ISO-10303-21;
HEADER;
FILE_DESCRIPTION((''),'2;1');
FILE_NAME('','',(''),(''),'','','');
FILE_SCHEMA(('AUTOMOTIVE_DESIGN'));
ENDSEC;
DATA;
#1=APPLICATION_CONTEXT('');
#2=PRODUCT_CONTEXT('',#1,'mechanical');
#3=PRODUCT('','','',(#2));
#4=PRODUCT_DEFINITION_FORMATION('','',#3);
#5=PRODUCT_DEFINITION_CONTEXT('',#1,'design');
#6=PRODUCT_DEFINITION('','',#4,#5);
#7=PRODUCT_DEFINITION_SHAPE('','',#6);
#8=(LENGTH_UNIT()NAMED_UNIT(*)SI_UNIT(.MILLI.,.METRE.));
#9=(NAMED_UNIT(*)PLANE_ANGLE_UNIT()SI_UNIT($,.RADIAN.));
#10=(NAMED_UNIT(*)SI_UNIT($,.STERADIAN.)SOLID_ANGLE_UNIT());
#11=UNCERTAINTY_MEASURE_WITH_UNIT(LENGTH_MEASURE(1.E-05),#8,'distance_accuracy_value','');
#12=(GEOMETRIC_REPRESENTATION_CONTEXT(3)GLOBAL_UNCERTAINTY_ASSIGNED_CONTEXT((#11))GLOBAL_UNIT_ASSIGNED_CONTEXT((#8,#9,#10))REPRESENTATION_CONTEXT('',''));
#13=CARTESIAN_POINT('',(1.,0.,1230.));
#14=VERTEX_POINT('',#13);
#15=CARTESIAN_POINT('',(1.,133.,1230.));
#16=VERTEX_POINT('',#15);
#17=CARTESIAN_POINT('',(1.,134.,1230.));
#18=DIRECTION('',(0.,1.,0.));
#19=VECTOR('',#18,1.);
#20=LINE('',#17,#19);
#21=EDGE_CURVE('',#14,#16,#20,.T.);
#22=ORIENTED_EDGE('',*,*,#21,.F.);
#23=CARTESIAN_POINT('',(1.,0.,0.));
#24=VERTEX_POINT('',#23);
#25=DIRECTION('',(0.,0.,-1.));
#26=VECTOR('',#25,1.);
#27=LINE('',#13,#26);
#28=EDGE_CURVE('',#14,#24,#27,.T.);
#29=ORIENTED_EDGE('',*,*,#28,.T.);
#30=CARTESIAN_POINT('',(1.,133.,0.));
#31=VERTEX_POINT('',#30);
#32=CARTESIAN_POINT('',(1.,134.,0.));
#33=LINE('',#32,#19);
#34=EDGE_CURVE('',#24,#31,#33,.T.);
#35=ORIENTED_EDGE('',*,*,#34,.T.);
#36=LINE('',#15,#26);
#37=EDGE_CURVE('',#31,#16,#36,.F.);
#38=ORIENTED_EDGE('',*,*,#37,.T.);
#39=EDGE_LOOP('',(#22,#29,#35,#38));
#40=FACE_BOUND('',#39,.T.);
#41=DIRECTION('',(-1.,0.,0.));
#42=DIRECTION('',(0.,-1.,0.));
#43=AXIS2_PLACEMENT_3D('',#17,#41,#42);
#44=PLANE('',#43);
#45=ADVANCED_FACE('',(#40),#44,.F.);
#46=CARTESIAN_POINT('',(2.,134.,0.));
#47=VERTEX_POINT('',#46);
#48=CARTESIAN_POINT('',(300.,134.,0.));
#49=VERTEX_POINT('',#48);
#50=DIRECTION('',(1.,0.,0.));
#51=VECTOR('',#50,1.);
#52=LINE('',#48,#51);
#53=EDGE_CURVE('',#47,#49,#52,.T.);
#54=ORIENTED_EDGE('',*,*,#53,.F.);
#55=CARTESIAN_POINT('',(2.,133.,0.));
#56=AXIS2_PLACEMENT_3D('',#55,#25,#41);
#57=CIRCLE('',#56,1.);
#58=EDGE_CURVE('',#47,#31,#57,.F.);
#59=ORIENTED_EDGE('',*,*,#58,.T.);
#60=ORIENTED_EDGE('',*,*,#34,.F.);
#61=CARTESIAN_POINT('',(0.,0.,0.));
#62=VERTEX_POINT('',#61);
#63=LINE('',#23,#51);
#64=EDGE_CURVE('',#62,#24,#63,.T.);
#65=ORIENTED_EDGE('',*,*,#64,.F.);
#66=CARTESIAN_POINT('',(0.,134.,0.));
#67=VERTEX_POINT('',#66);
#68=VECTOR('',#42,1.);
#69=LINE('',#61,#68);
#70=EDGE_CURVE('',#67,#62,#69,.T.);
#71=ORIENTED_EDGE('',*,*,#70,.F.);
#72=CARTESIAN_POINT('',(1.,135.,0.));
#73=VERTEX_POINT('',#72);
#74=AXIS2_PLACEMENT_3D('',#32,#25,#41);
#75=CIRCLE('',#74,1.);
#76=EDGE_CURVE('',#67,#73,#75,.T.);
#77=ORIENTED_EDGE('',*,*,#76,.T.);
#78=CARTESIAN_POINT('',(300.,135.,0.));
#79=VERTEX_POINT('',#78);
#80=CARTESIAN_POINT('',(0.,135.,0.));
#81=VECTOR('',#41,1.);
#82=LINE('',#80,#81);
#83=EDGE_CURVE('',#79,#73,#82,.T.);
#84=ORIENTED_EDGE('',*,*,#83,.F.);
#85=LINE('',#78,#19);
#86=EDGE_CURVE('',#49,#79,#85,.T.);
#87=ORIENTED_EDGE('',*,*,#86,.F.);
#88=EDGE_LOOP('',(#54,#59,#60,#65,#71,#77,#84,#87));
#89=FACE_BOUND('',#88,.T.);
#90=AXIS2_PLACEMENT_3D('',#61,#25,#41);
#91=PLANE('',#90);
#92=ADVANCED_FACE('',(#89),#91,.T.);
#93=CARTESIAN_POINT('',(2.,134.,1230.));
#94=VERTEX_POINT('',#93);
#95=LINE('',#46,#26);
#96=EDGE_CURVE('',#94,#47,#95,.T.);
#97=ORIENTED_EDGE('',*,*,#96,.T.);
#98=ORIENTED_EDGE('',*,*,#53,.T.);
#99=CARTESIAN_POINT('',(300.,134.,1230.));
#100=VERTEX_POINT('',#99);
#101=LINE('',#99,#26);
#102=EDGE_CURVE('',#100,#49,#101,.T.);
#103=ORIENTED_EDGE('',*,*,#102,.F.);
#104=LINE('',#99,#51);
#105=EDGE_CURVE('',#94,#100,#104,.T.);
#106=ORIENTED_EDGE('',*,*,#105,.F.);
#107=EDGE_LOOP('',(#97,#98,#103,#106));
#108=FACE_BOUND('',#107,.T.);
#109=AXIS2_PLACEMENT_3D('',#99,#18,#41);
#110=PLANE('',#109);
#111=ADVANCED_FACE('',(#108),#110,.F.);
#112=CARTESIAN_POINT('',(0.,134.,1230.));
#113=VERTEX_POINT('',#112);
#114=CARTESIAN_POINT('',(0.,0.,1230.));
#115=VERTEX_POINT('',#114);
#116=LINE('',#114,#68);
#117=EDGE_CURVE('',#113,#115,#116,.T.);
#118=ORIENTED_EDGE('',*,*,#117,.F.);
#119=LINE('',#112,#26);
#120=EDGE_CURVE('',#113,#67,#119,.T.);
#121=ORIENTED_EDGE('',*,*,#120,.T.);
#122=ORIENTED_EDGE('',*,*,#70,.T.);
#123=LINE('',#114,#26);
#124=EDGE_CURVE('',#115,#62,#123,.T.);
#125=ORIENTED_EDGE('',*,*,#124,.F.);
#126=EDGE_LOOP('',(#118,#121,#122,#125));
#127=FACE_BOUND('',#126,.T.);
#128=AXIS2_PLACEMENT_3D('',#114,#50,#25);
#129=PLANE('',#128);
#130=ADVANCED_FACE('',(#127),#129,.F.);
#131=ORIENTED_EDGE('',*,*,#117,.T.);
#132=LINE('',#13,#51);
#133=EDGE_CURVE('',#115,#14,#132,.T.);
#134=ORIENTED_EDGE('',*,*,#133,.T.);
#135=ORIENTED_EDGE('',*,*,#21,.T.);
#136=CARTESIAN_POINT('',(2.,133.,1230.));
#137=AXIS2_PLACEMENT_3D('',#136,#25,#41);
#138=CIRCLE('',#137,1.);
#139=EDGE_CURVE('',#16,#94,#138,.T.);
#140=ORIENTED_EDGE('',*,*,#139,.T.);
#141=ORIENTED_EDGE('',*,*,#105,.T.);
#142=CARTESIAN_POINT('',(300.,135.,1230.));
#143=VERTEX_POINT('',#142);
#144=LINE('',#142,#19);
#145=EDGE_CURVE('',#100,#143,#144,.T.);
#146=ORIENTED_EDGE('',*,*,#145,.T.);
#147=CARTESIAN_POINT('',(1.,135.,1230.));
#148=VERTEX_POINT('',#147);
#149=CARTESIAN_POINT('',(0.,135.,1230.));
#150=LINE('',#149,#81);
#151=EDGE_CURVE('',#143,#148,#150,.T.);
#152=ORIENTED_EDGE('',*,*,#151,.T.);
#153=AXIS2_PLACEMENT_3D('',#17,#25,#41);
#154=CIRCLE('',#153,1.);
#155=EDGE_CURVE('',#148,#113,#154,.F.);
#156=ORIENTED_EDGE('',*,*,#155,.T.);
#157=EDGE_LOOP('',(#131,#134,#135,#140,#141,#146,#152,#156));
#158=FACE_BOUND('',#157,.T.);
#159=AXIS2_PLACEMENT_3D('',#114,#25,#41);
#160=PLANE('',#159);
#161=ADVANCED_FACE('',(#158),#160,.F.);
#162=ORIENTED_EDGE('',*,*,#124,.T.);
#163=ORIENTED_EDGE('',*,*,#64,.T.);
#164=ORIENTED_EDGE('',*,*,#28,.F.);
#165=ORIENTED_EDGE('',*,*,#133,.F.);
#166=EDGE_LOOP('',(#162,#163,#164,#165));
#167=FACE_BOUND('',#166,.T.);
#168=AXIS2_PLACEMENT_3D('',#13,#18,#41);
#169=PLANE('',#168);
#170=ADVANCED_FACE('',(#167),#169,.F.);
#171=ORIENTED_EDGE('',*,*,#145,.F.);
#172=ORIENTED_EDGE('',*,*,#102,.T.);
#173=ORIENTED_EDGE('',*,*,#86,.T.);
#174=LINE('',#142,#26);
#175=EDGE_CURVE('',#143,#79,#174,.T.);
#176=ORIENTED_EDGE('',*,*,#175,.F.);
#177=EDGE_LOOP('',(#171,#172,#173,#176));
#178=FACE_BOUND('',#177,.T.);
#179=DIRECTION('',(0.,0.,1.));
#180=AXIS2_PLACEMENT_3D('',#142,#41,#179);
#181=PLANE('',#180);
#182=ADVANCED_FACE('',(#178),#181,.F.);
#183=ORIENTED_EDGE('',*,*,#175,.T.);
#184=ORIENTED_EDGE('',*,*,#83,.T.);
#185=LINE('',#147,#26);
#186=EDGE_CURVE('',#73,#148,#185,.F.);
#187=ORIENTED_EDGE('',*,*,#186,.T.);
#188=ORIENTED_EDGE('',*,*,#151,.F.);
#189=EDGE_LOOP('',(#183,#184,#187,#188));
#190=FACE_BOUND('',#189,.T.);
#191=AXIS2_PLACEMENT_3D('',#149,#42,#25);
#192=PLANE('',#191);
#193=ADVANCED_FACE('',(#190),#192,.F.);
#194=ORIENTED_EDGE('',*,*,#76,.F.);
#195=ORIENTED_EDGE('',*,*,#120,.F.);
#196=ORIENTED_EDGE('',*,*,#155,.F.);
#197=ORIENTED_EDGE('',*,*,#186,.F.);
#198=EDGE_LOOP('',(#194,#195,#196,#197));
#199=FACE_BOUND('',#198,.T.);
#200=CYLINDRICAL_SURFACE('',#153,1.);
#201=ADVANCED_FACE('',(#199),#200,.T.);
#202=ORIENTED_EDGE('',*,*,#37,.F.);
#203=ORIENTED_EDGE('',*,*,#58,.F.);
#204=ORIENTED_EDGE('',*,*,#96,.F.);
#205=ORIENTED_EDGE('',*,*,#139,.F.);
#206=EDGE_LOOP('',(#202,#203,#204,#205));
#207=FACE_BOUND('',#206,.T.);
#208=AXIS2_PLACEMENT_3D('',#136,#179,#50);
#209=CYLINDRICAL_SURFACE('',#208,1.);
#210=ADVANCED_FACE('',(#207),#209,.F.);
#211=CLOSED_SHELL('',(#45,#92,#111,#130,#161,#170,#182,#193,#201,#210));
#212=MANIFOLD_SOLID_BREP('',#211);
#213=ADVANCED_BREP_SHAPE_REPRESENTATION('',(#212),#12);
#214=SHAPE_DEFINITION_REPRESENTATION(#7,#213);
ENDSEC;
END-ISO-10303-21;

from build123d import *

# Parameters (mm, degrees)
BOSS_EXTRUDE1_DEPTH = 1230
FILLET1_R           = 1


with BuildPart() as part:
    # Sketch1 → Boss-Extrude1 (new body)
    with BuildSketch(Plane.XY):
        Polygon((0, 0), (0, 135), (300, 135), (300, 134), (1, 134), (1, 0), align=None)
    extrude(amount=BOSS_EXTRUDE1_DEPTH)

    # Fillet1
    fillet1_edges = [part.edges().sort_by_distance(p)[0] for p in [
        (0, 135, 615),
        (1, 134, 615),
    ]]
    fillet(fillet1_edges, radius=FILLET1_R)


solid = part.part
